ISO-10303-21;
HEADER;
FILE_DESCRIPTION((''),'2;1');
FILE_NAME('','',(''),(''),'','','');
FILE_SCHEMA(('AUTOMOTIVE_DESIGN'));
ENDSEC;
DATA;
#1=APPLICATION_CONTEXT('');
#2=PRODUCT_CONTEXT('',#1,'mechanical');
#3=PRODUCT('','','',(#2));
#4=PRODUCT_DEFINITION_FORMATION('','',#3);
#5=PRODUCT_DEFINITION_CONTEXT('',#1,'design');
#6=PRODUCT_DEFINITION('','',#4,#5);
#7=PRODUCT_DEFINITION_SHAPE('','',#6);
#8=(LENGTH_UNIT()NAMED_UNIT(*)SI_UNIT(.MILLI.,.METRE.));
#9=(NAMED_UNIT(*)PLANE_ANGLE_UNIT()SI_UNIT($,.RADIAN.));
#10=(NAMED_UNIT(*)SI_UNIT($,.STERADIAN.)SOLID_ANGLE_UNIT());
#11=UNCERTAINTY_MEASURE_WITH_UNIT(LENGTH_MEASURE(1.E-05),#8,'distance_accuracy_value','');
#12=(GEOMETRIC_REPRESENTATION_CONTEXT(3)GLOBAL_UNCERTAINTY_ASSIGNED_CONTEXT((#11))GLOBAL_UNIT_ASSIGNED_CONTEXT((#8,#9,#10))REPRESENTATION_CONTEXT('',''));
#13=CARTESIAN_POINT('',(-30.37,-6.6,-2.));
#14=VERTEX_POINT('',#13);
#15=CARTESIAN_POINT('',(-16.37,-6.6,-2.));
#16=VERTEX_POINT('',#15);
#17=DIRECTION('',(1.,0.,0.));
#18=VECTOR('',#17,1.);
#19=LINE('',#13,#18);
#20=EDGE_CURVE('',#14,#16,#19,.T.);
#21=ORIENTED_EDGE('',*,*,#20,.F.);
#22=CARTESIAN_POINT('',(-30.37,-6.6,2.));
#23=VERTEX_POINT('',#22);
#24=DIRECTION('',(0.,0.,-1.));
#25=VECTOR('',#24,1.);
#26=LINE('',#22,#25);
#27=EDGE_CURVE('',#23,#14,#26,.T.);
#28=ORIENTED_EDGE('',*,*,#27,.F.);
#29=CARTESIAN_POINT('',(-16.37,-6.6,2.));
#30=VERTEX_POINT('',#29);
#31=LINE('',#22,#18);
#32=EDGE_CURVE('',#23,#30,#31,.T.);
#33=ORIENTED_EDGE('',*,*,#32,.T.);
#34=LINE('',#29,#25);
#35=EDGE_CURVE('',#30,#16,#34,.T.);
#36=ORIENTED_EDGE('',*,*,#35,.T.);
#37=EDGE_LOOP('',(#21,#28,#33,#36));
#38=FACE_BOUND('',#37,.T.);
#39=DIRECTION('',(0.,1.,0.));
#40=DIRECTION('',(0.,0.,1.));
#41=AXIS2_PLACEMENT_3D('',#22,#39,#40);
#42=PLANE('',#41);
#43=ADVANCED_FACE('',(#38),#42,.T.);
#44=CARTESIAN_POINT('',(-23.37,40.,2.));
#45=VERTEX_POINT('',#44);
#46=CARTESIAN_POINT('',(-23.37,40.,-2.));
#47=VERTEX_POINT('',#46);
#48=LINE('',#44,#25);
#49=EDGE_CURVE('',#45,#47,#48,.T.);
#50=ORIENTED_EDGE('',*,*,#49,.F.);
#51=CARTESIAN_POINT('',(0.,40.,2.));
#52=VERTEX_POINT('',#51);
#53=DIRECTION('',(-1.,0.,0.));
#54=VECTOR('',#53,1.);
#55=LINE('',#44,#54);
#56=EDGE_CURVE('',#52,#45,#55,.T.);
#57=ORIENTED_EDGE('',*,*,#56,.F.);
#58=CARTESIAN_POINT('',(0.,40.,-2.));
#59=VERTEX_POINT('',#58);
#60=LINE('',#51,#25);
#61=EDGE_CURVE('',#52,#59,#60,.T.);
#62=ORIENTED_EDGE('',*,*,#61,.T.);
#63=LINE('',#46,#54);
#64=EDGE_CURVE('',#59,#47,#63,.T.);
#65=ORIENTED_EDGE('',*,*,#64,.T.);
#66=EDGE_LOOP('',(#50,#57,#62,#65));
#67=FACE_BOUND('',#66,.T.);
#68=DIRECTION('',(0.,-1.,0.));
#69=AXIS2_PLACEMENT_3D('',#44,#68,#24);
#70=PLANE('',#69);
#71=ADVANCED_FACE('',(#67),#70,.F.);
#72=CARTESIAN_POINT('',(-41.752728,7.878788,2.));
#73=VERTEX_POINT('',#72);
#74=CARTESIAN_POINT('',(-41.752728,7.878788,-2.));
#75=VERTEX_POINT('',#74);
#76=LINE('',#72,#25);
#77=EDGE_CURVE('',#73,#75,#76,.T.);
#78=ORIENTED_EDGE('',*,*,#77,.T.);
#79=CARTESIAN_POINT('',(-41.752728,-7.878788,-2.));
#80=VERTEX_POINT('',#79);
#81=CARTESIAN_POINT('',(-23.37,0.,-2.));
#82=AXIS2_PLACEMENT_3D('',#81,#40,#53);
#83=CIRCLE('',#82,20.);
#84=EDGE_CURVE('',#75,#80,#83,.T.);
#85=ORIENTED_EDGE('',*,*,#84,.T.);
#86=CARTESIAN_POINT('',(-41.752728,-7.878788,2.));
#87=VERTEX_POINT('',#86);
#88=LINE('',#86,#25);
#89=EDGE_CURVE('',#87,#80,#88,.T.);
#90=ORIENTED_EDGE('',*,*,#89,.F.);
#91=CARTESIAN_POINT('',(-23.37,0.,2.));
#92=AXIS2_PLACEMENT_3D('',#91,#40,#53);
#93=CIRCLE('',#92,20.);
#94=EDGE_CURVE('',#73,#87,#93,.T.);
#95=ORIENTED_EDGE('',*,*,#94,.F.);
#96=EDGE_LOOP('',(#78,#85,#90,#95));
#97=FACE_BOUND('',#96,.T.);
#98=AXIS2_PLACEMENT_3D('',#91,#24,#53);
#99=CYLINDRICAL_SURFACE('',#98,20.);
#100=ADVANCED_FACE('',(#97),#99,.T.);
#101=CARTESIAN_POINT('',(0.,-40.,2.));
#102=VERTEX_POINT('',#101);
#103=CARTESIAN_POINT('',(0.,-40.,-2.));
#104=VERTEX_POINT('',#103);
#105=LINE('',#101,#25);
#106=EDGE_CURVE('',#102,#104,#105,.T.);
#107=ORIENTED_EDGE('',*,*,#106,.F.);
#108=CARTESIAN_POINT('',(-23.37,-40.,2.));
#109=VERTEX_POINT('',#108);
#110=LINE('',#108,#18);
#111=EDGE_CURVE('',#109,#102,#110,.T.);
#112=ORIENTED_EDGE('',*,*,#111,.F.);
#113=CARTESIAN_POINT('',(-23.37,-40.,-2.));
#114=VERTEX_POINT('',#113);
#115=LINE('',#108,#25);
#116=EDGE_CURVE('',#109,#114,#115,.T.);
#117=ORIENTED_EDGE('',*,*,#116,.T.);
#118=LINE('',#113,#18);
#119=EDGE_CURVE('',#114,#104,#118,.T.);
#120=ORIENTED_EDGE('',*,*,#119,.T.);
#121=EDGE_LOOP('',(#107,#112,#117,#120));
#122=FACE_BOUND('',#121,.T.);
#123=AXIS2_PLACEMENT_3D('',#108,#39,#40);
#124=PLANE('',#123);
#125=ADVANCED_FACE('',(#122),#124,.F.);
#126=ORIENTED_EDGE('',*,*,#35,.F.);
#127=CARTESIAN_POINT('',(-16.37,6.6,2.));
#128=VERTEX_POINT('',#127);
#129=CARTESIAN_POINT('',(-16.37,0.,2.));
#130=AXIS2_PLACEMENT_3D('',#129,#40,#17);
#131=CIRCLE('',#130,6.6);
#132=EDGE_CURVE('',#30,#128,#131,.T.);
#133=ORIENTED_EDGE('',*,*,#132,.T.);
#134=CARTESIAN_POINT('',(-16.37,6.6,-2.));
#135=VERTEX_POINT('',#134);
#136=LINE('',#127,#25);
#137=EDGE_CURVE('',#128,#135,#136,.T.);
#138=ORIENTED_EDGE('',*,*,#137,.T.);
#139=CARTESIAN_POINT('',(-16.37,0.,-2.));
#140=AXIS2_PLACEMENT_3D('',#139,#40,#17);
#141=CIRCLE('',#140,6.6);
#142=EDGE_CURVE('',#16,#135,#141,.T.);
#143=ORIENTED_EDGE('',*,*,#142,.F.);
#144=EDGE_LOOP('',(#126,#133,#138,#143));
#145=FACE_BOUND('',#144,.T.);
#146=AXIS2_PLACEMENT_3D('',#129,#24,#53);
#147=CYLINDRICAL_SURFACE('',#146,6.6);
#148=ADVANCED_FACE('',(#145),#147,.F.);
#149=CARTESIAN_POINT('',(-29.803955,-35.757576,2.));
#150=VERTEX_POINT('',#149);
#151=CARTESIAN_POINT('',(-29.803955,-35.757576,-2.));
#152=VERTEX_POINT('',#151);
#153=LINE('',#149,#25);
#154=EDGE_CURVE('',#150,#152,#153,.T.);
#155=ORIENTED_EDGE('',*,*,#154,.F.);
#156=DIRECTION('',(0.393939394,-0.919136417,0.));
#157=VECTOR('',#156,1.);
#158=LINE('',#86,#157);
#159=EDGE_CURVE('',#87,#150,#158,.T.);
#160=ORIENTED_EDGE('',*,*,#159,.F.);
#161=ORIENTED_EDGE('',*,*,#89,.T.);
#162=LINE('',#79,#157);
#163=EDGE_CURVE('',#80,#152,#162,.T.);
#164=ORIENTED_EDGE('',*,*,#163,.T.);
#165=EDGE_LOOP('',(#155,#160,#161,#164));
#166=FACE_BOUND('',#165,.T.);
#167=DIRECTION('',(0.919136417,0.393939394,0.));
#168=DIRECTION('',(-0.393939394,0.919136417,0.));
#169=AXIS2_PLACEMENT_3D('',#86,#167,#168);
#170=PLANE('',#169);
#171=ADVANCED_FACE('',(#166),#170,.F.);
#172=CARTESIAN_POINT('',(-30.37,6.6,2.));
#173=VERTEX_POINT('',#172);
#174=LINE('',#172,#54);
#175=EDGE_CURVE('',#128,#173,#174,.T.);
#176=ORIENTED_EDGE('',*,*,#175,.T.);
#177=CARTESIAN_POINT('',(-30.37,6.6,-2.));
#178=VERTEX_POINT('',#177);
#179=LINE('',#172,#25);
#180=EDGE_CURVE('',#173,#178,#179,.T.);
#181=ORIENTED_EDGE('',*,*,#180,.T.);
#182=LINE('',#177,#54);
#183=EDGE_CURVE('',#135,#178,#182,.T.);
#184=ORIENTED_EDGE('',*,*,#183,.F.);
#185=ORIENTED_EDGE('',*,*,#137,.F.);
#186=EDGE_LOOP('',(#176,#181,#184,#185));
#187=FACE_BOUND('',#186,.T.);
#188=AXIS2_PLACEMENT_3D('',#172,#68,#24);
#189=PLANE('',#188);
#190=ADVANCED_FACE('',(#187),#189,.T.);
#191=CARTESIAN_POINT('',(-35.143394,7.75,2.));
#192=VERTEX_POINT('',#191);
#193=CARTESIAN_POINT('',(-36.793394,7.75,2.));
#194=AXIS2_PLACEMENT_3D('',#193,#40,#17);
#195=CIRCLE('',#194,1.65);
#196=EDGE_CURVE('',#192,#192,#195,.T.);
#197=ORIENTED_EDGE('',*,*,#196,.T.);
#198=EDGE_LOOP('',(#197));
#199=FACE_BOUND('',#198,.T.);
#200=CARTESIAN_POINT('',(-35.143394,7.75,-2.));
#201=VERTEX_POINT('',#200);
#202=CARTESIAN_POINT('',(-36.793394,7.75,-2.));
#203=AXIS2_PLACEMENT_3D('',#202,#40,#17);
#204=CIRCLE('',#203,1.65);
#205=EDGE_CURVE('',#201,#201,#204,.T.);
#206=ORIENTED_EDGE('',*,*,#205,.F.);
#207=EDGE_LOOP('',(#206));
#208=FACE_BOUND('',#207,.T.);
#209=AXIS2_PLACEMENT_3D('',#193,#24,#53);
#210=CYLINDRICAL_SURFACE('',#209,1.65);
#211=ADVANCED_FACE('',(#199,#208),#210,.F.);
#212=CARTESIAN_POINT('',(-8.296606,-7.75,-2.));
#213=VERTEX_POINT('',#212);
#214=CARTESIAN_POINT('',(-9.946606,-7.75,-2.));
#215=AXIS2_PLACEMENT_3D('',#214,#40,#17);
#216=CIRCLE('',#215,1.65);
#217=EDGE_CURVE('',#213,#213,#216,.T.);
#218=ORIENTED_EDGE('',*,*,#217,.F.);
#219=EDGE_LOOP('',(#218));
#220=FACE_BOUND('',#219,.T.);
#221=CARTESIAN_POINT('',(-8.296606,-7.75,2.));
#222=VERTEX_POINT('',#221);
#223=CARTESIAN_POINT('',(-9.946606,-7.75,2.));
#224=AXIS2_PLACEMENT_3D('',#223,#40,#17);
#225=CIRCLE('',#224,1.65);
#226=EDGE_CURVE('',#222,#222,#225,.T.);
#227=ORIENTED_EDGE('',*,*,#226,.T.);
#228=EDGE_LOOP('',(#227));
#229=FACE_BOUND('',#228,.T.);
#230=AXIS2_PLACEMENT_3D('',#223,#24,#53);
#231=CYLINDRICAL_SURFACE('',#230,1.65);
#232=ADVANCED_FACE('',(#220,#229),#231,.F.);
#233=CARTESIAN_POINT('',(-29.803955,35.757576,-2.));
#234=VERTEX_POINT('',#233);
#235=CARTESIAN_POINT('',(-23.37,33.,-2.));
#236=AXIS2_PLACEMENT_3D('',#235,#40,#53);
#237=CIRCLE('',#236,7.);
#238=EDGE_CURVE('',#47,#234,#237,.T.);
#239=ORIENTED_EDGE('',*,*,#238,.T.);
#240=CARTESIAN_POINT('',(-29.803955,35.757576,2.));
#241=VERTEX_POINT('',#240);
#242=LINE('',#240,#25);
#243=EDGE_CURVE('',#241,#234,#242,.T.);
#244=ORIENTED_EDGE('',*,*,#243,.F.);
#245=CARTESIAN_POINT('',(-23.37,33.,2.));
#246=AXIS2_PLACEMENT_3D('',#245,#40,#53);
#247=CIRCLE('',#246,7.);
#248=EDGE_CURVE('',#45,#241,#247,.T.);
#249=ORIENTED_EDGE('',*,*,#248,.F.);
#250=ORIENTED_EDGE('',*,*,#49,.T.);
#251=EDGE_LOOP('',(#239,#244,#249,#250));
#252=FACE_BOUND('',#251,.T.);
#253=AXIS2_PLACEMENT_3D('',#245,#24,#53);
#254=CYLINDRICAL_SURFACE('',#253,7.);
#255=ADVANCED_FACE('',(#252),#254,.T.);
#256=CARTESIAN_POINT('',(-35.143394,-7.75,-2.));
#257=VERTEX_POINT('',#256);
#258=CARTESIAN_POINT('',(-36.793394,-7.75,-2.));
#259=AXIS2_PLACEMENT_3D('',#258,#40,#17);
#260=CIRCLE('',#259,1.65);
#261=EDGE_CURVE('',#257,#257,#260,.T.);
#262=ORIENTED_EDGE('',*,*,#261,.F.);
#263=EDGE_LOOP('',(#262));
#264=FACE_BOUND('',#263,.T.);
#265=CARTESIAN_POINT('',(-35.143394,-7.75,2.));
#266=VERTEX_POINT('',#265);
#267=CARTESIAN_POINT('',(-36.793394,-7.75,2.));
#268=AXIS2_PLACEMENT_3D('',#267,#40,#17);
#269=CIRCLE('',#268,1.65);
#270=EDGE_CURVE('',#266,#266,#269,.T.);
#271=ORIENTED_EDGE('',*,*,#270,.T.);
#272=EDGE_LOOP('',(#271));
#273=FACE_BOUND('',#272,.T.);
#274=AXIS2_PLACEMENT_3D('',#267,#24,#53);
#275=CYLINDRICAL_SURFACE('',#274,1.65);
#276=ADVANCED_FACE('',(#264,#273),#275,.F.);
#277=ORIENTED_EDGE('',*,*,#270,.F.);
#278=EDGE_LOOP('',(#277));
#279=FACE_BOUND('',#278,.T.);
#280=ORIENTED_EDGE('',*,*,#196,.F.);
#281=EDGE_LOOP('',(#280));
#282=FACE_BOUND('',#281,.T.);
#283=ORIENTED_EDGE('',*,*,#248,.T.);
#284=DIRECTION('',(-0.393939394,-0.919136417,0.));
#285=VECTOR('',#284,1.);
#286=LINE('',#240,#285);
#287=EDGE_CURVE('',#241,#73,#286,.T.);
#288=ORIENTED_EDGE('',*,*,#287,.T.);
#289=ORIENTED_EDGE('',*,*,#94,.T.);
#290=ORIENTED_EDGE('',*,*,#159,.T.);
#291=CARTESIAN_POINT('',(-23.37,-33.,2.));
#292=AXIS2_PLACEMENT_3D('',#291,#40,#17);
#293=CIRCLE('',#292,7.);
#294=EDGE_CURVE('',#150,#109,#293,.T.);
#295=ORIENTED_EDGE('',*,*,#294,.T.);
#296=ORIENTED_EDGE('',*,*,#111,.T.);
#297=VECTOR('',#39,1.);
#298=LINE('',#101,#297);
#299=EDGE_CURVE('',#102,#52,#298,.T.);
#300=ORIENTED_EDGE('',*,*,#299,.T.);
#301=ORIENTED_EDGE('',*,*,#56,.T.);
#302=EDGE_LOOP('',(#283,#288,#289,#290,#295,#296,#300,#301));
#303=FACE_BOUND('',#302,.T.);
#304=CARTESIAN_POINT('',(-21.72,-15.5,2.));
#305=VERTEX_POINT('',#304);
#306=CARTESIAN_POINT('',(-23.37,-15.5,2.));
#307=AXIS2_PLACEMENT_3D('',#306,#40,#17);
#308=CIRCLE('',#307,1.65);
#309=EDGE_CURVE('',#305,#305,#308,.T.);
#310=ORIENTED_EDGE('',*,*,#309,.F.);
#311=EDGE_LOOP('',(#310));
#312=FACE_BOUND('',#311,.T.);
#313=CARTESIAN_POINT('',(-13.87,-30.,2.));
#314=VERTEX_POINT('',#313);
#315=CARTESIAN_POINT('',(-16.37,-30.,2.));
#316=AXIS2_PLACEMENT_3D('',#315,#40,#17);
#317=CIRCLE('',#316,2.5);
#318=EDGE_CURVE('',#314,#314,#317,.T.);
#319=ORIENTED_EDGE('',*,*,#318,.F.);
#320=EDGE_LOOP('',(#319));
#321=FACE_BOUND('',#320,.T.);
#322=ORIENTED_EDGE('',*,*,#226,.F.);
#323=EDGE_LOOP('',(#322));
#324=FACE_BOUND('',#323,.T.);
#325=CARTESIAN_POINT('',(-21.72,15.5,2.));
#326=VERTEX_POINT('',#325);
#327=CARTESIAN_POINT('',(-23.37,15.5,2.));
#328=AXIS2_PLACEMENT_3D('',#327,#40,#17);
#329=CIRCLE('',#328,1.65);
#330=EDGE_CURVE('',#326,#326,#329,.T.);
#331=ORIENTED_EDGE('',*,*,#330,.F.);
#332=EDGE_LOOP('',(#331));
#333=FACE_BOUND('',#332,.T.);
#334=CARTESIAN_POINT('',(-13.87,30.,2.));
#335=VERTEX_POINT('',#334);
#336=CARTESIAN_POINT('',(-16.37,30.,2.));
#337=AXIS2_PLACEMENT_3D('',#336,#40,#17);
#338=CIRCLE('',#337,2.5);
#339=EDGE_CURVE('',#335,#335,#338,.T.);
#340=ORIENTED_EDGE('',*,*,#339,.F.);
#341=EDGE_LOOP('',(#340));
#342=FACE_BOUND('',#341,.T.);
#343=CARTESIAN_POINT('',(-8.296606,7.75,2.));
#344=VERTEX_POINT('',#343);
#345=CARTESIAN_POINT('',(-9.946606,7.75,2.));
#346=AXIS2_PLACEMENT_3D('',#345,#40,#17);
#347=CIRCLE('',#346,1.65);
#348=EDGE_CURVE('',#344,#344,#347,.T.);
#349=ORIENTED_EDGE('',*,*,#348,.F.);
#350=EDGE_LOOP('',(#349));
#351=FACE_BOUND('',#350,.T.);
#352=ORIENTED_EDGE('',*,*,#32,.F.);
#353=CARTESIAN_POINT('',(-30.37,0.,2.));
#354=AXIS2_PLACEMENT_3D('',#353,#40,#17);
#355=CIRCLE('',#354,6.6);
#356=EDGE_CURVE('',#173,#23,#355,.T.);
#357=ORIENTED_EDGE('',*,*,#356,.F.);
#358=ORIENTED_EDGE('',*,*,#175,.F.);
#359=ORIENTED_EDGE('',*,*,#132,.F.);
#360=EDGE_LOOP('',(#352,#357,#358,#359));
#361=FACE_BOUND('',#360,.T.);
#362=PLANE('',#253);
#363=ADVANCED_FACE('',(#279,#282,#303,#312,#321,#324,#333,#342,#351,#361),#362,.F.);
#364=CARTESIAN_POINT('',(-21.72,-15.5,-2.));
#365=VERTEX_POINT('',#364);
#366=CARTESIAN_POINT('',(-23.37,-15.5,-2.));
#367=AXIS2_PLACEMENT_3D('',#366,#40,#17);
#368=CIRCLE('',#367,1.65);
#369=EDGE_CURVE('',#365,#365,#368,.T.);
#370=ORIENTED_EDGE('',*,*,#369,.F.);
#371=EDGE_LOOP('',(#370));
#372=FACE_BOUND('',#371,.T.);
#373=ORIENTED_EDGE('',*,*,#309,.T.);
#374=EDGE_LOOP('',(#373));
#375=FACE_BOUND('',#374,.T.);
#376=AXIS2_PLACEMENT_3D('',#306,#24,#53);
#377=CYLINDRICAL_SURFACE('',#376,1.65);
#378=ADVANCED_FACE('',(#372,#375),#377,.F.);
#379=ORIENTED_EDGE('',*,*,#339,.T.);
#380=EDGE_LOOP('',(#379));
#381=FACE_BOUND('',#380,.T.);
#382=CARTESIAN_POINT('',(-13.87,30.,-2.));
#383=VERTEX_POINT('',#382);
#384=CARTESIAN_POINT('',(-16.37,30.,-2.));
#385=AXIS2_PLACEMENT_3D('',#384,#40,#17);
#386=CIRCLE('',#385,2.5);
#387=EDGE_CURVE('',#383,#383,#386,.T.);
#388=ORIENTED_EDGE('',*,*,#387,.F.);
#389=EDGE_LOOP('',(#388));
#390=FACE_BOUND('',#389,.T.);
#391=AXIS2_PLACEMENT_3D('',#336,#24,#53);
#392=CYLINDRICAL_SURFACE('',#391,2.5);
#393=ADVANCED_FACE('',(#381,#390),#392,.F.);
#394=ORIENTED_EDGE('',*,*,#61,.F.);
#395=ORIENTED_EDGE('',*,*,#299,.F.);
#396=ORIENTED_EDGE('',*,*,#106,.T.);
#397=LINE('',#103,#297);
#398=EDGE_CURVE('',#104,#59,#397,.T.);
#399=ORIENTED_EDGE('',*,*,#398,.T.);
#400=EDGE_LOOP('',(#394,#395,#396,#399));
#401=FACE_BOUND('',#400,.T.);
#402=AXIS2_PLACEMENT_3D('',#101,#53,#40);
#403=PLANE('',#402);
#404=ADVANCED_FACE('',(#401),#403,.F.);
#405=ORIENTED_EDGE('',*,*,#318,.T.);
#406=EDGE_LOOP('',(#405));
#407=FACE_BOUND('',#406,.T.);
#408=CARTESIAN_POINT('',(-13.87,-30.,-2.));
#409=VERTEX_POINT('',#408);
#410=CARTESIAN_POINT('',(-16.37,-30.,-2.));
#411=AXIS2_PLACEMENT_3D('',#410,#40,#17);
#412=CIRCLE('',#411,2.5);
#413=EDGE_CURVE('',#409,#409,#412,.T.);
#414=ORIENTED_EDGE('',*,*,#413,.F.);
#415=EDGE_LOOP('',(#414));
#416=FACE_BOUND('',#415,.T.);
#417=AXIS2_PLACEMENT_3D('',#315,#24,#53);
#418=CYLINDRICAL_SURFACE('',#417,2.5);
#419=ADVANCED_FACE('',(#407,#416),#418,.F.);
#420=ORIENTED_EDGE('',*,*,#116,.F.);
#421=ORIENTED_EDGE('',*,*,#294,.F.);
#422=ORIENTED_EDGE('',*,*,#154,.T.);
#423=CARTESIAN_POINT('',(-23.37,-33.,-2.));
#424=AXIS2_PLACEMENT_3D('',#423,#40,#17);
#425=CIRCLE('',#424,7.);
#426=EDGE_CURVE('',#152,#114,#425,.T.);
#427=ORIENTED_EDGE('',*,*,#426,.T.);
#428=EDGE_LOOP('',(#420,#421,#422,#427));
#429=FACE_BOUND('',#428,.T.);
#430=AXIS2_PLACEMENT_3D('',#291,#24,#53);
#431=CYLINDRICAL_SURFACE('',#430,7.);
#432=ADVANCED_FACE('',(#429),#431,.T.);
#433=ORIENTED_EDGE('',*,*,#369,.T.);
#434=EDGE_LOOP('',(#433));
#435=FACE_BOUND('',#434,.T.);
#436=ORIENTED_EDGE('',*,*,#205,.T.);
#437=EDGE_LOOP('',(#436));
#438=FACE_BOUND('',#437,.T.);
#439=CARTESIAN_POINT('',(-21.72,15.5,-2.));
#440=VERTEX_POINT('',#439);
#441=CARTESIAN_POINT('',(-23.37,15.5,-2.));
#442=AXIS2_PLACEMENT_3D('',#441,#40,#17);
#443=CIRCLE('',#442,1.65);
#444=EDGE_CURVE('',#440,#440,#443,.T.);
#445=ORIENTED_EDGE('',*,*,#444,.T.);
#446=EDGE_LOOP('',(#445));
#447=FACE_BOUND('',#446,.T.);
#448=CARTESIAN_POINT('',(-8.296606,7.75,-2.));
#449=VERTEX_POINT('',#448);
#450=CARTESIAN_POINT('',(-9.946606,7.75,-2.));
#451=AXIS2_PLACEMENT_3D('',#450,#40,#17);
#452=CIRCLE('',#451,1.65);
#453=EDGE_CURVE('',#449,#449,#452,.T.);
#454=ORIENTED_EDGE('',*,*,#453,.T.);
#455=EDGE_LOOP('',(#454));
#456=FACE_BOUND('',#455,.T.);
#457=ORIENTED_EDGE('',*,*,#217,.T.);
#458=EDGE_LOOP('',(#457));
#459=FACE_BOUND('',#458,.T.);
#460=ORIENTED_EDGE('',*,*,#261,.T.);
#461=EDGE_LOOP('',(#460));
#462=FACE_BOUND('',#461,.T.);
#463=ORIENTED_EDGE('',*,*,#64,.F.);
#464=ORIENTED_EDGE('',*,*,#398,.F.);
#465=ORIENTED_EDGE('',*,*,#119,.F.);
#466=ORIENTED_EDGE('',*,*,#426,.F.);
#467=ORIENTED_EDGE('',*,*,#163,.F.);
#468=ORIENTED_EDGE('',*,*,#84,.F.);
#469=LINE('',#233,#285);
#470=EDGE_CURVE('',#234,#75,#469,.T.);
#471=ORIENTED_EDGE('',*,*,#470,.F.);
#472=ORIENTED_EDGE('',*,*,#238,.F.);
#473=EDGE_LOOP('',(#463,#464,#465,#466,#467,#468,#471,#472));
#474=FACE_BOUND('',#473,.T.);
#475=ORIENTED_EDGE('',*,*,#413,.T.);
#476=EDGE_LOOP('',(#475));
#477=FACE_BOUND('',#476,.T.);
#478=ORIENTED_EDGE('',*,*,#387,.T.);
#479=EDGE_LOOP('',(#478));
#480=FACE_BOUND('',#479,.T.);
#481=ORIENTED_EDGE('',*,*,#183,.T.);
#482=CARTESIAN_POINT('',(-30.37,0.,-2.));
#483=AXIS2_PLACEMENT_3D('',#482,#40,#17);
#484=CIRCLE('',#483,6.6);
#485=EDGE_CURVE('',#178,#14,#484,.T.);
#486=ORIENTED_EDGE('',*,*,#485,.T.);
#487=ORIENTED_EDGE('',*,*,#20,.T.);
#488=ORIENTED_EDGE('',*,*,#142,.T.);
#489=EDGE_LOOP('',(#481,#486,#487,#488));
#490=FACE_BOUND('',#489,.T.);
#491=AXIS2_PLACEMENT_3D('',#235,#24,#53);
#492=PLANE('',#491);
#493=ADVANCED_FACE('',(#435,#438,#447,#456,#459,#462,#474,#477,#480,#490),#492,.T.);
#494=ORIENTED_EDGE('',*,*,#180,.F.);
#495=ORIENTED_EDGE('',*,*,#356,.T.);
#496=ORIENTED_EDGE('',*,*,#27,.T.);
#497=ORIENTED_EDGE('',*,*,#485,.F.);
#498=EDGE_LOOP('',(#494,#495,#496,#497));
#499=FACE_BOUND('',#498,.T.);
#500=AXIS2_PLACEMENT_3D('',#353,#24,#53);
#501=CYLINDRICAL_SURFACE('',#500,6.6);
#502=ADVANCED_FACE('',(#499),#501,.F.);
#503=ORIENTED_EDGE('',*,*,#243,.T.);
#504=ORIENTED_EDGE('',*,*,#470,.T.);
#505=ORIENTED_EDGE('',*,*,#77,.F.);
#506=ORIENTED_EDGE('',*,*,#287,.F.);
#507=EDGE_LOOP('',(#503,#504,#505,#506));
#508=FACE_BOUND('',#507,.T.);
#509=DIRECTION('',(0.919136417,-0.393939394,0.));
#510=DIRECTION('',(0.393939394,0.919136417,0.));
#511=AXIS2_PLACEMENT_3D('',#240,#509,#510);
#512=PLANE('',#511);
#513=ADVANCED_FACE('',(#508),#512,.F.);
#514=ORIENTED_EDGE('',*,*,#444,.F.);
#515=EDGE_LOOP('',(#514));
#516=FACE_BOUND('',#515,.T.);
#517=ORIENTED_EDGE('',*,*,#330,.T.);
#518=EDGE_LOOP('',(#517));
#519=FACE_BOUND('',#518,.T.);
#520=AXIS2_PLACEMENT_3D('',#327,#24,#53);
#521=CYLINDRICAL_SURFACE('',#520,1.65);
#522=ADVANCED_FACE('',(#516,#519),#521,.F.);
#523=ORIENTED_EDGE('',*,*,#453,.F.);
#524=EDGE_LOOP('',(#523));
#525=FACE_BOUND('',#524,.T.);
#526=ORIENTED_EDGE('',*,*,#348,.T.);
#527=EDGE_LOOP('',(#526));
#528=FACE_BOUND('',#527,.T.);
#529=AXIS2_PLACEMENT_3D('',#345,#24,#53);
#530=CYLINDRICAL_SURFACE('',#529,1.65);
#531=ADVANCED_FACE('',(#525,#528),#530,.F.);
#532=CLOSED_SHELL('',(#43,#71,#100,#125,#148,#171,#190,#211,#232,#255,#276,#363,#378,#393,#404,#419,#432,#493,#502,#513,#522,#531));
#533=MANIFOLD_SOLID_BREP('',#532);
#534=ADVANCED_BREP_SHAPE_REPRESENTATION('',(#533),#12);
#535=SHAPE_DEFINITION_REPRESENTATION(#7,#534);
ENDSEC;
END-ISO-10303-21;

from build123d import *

# Parameters (mm, degrees)
SKETCH1_R           = 2.5
SKETCH1_R_2         = 1.65
BOSS_EXTRUDE1_DEPTH = 2


with BuildPart() as part:
    # Sketch1 → Boss-Extrude1 (new, symmetric)
    with BuildSketch(Plane.XY):
        with BuildLine():
            Line((0, -40), (0, 40))
            Line((0, 40), (-23.37, 40))
            ThreePointArc((-23.37, 40), (-27.223373178, 38.84392977), (-29.803954922, 35.757575758))
            Line((-29.803954922, 35.757575758), (-41.752728349, 7.878787879))
            ThreePointArc((-41.752728349, 7.878787879), (-43.37, 0), (-41.752728349, -7.878787879))
            Line((-41.752728349, -7.878787879), (-29.803954922, -35.757575758))
            ThreePointArc((-29.803954922, -35.757575758), (-27.223373178, -38.84392977), (-23.37, -40))
            Line((-23.37, -40), (0, -40))
        make_face()
        with Locations((-16.37, 30)):
            Circle(SKETCH1_R, mode=Mode.SUBTRACT)
        with Locations((-16.37, -30)):
            Circle(SKETCH1_R, mode=Mode.SUBTRACT)
        with Locations((-23.37, -15.5)):
            Circle(SKETCH1_R_2, mode=Mode.SUBTRACT)
        with Locations((-36.793393759, -7.75)):
            Circle(SKETCH1_R_2, mode=Mode.SUBTRACT)
        with Locations((-36.793393759, 7.75)):
            Circle(SKETCH1_R_2, mode=Mode.SUBTRACT)
        with Locations((-23.37, 15.5)):
            Circle(SKETCH1_R_2, mode=Mode.SUBTRACT)
        with Locations((-9.946606241, 7.75)):
            Circle(SKETCH1_R_2, mode=Mode.SUBTRACT)
        with Locations((-9.946606241, -7.75)):
            Circle(SKETCH1_R_2, mode=Mode.SUBTRACT)
        with BuildLine():
            Line((-30.37, 6.6), (-16.37, 6.6))
            ThreePointArc((-16.37, 6.6), (-9.77, 0), (-16.37, -6.6))
            Line((-16.37, -6.6), (-30.37, -6.6))
            ThreePointArc((-30.37, -6.6), (-36.97, 0), (-30.37, 6.6))
        make_face(mode=Mode.SUBTRACT)
    extrude(amount=BOSS_EXTRUDE1_DEPTH, both=True)


solid = part.part
